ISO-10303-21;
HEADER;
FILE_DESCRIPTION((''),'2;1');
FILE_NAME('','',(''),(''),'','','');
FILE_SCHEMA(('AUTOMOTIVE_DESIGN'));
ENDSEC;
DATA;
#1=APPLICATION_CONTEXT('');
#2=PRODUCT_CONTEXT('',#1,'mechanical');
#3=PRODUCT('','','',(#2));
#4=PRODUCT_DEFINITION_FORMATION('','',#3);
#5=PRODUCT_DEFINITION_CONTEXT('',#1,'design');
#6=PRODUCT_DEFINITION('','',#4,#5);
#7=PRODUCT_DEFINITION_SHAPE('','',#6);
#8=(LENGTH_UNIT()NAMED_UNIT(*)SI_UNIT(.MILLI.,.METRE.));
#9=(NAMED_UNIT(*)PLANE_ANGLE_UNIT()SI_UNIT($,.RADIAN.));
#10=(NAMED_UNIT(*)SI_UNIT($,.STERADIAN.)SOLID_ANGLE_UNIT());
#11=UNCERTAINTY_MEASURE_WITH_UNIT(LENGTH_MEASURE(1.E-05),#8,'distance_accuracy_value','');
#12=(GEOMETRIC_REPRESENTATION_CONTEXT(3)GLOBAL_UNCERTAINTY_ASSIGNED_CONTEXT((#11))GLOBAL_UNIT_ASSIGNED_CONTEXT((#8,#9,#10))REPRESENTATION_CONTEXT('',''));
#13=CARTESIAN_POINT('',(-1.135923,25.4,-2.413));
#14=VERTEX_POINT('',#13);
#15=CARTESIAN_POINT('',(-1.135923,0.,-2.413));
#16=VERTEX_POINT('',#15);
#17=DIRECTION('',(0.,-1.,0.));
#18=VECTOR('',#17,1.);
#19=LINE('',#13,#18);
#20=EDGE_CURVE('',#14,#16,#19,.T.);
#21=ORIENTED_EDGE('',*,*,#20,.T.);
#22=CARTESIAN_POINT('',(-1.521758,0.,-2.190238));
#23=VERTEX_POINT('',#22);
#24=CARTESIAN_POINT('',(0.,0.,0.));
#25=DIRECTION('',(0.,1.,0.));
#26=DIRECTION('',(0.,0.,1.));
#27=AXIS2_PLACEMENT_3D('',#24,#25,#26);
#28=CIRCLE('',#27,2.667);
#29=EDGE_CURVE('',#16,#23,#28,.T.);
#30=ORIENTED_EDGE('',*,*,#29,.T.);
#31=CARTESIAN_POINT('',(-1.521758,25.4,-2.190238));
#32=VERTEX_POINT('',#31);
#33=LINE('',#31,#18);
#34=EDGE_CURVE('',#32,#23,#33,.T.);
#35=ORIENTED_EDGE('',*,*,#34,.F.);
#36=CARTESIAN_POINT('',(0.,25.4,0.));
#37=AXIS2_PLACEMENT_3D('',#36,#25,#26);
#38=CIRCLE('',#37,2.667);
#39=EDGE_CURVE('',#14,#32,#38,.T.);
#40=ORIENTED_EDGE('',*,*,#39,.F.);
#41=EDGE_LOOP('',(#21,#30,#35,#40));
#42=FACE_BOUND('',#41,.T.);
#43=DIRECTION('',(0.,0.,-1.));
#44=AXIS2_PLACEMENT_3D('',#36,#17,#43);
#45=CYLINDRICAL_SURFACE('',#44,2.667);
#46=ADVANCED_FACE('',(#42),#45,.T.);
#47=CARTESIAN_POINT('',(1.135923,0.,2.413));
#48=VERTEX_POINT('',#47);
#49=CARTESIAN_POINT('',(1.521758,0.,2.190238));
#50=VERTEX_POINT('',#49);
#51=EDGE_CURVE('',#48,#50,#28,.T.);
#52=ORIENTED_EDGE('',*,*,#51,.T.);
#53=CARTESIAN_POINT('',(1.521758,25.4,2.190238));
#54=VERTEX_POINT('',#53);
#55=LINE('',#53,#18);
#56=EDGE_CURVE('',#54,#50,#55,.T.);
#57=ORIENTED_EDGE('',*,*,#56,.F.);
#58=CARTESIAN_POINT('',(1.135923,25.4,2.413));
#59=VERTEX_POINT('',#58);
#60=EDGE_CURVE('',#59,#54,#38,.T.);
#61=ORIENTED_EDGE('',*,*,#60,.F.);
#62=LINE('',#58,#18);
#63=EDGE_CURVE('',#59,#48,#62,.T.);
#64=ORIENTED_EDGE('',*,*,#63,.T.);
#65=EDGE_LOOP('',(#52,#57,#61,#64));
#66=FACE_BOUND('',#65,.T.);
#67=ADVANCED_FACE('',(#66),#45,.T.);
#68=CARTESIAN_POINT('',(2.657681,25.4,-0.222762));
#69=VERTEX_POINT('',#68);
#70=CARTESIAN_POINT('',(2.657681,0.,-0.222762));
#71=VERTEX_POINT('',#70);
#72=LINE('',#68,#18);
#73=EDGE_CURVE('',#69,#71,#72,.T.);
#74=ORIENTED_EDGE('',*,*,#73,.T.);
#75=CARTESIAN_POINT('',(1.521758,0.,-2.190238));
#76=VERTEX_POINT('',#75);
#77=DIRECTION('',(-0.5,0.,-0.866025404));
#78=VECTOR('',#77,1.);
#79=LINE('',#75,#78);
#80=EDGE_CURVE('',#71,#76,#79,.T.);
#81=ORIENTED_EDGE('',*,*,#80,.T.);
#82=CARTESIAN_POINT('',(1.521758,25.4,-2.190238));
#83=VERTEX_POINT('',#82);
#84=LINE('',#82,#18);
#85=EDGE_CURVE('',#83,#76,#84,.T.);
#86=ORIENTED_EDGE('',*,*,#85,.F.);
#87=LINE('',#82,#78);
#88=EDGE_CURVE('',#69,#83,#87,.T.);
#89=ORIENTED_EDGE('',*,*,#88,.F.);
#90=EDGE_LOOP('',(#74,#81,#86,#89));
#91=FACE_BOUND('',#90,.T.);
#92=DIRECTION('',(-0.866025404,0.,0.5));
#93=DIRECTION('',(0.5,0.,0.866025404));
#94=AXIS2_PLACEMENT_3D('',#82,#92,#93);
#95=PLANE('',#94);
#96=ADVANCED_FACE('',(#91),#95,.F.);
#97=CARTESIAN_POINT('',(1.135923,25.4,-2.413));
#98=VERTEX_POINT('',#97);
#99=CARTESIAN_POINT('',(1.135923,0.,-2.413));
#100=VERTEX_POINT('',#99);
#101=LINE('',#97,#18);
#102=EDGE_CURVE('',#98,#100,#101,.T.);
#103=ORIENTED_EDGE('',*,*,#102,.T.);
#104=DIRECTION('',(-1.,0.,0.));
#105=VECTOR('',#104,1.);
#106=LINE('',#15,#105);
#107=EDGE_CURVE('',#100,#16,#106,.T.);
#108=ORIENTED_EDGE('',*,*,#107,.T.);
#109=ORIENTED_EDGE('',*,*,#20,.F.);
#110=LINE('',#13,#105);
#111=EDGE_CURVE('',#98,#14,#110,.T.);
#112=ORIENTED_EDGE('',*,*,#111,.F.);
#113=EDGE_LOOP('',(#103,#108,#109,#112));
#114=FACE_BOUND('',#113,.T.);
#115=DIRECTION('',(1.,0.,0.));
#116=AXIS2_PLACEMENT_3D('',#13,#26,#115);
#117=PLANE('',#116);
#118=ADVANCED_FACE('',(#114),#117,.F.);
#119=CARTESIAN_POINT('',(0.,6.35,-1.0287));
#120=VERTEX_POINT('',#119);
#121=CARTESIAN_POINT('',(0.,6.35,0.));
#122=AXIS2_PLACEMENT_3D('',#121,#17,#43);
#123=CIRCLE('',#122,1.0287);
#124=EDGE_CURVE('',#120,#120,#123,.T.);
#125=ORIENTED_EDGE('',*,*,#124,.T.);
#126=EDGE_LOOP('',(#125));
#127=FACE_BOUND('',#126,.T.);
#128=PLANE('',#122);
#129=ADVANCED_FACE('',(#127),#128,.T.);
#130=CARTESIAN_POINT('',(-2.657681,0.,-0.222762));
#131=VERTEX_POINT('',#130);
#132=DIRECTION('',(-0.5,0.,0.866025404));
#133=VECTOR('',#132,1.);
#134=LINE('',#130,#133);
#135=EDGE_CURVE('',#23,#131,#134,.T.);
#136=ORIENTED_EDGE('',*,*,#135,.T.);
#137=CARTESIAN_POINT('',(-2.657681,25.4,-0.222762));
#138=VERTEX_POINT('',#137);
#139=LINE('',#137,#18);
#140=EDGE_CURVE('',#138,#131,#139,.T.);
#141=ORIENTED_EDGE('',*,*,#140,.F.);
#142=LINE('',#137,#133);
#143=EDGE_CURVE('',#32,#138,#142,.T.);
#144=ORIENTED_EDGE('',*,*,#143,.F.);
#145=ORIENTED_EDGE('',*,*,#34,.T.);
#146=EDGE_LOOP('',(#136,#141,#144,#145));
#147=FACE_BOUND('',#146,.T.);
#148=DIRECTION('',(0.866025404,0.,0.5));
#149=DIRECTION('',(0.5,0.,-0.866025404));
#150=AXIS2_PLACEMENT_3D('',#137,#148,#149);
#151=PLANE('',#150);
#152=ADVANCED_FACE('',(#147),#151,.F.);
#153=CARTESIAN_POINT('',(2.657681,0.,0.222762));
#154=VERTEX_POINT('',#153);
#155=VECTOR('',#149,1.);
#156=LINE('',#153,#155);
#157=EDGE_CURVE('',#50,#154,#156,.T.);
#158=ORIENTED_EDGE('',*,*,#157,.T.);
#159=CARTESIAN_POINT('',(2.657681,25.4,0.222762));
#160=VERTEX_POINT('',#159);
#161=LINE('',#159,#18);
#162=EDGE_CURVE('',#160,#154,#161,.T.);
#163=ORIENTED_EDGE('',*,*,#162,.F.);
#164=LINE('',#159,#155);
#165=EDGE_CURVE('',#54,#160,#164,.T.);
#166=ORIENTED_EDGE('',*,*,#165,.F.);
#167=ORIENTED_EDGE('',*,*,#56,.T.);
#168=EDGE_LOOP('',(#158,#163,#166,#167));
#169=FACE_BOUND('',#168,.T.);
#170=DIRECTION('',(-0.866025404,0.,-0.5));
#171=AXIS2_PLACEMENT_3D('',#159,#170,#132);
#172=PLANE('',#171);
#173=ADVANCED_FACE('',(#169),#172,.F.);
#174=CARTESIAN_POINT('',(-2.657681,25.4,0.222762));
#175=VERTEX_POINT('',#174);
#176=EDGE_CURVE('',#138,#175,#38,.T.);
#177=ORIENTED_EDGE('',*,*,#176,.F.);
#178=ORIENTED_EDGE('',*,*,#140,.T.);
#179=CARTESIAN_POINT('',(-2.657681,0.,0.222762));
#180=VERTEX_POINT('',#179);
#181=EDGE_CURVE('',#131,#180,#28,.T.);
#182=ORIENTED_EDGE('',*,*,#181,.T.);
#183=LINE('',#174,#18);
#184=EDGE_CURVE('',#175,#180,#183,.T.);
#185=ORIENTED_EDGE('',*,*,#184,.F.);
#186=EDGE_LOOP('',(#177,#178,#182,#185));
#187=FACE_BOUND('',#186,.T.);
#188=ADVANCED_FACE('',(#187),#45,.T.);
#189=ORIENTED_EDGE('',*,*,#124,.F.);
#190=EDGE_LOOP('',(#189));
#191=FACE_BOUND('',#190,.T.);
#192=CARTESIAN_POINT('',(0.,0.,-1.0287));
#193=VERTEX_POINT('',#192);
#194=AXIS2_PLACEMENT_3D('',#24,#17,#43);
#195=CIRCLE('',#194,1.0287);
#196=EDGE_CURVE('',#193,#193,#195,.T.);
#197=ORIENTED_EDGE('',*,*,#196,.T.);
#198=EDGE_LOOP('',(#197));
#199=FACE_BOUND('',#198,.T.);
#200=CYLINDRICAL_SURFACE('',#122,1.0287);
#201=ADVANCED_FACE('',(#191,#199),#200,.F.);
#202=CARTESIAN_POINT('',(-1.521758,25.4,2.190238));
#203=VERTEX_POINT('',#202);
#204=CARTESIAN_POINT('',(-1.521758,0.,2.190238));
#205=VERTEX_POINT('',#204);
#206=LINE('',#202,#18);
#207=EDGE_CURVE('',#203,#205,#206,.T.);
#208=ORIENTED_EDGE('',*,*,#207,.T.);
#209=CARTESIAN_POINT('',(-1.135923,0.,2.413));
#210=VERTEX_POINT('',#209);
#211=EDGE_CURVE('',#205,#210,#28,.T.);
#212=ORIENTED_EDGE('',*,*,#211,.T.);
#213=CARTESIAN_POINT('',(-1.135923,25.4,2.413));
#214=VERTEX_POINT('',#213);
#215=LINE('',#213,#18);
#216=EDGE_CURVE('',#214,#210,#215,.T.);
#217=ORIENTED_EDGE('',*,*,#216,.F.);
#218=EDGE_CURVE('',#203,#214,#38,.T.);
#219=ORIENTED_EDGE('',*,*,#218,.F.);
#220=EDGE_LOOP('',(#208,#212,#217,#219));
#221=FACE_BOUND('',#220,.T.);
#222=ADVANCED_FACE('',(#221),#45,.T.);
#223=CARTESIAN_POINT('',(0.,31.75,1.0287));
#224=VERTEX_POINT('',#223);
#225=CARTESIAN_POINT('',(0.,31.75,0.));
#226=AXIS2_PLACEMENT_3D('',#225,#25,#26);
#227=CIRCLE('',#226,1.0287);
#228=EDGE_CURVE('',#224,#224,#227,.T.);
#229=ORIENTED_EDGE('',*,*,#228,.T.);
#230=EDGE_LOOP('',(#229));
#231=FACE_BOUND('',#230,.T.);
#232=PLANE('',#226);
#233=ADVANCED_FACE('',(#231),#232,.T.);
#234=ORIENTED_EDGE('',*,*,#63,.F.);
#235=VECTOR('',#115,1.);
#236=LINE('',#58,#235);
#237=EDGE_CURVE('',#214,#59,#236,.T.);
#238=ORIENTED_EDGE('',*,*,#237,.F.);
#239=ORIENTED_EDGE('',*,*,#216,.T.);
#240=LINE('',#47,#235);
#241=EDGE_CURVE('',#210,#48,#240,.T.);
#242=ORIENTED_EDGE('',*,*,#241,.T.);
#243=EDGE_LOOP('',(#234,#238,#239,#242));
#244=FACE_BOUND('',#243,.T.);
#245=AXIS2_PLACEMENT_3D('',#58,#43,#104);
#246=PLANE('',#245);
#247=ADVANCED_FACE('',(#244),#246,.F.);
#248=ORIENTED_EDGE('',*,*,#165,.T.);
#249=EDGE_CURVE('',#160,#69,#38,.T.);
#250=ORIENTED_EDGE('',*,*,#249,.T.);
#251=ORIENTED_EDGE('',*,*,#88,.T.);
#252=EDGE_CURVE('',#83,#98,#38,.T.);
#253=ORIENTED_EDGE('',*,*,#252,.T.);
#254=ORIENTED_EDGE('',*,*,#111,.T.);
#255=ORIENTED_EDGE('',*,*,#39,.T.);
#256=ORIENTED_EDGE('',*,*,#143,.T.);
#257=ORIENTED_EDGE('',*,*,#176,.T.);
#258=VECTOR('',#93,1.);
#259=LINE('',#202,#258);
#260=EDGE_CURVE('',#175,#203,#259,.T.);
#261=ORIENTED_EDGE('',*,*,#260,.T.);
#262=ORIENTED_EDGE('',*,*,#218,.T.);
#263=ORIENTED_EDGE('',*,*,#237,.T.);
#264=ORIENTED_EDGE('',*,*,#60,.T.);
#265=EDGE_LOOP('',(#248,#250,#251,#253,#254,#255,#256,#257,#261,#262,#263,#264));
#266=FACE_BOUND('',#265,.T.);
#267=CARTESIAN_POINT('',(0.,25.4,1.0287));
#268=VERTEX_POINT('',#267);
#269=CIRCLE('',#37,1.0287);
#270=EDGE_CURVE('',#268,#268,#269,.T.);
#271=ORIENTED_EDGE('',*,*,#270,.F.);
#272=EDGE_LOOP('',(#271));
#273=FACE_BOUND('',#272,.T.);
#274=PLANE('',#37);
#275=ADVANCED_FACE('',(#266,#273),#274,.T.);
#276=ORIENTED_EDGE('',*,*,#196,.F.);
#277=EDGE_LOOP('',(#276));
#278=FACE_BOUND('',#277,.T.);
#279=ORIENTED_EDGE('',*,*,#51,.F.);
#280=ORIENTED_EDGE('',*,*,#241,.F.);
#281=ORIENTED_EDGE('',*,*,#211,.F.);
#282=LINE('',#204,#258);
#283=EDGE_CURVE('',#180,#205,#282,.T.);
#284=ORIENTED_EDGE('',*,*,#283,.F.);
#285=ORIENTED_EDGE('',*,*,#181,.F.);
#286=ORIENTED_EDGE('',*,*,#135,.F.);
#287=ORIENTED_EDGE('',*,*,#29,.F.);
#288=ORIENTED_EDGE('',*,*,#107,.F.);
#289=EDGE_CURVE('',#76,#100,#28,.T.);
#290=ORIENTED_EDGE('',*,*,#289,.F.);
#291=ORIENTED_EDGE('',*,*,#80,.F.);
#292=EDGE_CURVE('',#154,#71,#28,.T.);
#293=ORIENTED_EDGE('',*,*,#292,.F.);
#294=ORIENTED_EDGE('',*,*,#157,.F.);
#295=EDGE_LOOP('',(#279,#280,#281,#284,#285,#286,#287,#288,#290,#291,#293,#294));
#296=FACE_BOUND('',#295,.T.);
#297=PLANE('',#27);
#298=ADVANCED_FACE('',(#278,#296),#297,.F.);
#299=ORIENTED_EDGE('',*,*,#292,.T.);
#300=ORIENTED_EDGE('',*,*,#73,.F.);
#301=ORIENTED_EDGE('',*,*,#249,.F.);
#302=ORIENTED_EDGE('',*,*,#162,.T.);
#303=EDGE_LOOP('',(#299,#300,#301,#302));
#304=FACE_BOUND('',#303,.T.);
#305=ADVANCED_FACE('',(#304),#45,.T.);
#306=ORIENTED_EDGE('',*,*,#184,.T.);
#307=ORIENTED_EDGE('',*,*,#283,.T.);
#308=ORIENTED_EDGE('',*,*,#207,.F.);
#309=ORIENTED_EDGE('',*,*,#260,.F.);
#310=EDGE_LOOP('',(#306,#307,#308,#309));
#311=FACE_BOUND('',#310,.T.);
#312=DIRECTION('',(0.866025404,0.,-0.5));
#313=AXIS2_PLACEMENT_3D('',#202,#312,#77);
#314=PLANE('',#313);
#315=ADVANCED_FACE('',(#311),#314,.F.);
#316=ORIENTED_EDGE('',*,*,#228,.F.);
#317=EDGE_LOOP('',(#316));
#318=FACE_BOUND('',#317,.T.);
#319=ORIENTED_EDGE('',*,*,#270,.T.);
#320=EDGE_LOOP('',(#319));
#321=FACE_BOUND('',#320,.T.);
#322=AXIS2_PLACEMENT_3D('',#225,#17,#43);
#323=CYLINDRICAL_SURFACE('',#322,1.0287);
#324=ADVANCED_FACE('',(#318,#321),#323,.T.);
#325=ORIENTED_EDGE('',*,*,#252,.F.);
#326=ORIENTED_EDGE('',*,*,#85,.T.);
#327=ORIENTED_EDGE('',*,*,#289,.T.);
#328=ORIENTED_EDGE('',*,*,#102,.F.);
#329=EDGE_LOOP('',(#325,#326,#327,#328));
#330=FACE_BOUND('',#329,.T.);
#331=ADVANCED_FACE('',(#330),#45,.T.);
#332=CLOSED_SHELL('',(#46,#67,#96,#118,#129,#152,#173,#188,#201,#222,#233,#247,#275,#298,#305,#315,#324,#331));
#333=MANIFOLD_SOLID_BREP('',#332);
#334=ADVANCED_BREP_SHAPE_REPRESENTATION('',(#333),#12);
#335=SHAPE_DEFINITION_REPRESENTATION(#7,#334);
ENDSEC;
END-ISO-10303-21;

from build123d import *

# Parameters (mm, degrees)
BOSS_EXTRUDE1_DEPTH = 25.4
SKETCH2_R           = 1.0287
BOSS_EXTRUDE2_DEPTH = 6.35
SKETCH3_R           = 1.0287
CUT_EXTRUDE1_DEPTH  = 6.35


with BuildPart() as part:
    # Sketch1 → Boss-Extrude1 (new body)
    with BuildSketch(Plane(origin=(0, 0, 0), x_dir=(1, 0, 0), z_dir=(0, 1, 0))):
        with BuildLine():
            Line((-1.135922533, 2.413), (1.135922533, 2.413))
            ThreePointArc((1.135922533, 2.413), (1.3335, 2.309689752), (1.521758033, 2.19023777))
            Line((1.521758033, 2.19023777), (2.657680566, 0.22276223))
            ThreePointArc((2.657680566, 0.22276223), (2.667, 0), (2.657680566, -0.22276223))
            Line((2.657680566, -0.22276223), (1.521758033, -2.19023777))
            ThreePointArc((1.521758033, -2.19023777), (1.3335, -2.309689752), (1.135922533, -2.413))
            Line((1.135922533, -2.413), (-1.135922533, -2.413))
            ThreePointArc((-1.135922533, -2.413), (-1.3335, -2.309689752), (-1.521758033, -2.19023777))
            Line((-1.521758033, -2.19023777), (-2.657680566, -0.22276223))
            ThreePointArc((-2.657680566, -0.22276223), (-2.667, 0), (-2.657680566, 0.22276223))
            Line((-2.657680566, 0.22276223), (-1.521758033, 2.19023777))
            ThreePointArc((-1.521758033, 2.19023777), (-1.3335, 2.309689752), (-1.135922533, 2.413))
        make_face()
    extrude(amount=BOSS_EXTRUDE1_DEPTH)

    # Sketch2 → Boss-Extrude2 (add)
    with BuildSketch(Plane(origin=(0, 25.4, 0), x_dir=(1, 0, 0), z_dir=(0, 1, 0))):
        Circle(SKETCH2_R)
    extrude(amount=BOSS_EXTRUDE2_DEPTH)

    # Sketch3 → Cut-Extrude1 (cut)
    with BuildSketch(Plane.XZ):
        Circle(SKETCH3_R)
    extrude(amount=-CUT_EXTRUDE1_DEPTH, mode=Mode.SUBTRACT)


solid = part.part
